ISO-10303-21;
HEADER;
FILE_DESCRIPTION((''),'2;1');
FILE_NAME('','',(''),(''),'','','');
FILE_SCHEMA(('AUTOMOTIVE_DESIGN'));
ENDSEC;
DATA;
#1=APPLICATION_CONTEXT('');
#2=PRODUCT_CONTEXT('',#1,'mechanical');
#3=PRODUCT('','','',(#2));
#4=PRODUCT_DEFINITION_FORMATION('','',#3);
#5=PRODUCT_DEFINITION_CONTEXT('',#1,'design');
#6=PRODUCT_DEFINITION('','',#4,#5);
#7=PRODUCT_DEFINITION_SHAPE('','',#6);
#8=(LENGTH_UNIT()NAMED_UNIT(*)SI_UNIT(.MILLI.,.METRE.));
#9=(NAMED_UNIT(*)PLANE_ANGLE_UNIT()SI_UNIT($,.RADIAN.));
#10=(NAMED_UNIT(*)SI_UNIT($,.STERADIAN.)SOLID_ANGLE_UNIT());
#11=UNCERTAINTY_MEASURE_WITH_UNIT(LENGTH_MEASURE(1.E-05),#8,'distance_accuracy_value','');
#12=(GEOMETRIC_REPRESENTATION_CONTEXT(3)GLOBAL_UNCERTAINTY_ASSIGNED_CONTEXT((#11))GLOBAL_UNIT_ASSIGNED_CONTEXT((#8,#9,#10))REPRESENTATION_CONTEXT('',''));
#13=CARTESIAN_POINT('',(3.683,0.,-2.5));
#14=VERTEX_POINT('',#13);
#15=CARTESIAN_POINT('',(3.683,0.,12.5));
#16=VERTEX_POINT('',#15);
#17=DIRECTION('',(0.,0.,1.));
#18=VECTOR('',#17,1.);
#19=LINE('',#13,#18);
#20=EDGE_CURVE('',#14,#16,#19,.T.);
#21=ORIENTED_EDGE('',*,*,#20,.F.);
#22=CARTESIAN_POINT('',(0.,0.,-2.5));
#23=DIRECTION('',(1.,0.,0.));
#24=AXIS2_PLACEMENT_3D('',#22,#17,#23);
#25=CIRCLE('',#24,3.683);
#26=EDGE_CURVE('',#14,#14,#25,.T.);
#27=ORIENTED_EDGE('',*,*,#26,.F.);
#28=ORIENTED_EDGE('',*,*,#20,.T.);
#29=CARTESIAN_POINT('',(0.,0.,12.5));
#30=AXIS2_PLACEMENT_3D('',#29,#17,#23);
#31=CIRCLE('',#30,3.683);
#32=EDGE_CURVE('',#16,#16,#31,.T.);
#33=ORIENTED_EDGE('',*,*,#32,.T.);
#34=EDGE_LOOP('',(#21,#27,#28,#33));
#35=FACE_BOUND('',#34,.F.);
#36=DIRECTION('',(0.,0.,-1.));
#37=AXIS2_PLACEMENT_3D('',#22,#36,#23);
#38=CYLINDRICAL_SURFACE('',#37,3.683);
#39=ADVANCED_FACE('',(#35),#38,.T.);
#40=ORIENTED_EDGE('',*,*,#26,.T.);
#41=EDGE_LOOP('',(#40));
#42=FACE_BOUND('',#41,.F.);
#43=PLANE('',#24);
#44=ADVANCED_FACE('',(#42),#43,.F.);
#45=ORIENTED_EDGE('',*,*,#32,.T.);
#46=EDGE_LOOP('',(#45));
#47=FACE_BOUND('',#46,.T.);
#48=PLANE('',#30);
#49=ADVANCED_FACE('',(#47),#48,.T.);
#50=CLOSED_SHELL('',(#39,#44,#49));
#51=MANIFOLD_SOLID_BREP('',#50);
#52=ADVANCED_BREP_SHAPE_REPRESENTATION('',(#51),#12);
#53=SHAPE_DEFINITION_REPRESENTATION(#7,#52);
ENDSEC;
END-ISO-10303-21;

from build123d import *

# Parameters (mm, degrees)
CYLINDER_R     = 3.683
CYLINDER_DEPTH = 15


with BuildPart() as part:
    # Cylinder → Cylinder (new body)
    with BuildSketch(Plane.XY.offset(-2.5)):
        Circle(CYLINDER_R)
    extrude(amount=CYLINDER_DEPTH)


solid = part.part
